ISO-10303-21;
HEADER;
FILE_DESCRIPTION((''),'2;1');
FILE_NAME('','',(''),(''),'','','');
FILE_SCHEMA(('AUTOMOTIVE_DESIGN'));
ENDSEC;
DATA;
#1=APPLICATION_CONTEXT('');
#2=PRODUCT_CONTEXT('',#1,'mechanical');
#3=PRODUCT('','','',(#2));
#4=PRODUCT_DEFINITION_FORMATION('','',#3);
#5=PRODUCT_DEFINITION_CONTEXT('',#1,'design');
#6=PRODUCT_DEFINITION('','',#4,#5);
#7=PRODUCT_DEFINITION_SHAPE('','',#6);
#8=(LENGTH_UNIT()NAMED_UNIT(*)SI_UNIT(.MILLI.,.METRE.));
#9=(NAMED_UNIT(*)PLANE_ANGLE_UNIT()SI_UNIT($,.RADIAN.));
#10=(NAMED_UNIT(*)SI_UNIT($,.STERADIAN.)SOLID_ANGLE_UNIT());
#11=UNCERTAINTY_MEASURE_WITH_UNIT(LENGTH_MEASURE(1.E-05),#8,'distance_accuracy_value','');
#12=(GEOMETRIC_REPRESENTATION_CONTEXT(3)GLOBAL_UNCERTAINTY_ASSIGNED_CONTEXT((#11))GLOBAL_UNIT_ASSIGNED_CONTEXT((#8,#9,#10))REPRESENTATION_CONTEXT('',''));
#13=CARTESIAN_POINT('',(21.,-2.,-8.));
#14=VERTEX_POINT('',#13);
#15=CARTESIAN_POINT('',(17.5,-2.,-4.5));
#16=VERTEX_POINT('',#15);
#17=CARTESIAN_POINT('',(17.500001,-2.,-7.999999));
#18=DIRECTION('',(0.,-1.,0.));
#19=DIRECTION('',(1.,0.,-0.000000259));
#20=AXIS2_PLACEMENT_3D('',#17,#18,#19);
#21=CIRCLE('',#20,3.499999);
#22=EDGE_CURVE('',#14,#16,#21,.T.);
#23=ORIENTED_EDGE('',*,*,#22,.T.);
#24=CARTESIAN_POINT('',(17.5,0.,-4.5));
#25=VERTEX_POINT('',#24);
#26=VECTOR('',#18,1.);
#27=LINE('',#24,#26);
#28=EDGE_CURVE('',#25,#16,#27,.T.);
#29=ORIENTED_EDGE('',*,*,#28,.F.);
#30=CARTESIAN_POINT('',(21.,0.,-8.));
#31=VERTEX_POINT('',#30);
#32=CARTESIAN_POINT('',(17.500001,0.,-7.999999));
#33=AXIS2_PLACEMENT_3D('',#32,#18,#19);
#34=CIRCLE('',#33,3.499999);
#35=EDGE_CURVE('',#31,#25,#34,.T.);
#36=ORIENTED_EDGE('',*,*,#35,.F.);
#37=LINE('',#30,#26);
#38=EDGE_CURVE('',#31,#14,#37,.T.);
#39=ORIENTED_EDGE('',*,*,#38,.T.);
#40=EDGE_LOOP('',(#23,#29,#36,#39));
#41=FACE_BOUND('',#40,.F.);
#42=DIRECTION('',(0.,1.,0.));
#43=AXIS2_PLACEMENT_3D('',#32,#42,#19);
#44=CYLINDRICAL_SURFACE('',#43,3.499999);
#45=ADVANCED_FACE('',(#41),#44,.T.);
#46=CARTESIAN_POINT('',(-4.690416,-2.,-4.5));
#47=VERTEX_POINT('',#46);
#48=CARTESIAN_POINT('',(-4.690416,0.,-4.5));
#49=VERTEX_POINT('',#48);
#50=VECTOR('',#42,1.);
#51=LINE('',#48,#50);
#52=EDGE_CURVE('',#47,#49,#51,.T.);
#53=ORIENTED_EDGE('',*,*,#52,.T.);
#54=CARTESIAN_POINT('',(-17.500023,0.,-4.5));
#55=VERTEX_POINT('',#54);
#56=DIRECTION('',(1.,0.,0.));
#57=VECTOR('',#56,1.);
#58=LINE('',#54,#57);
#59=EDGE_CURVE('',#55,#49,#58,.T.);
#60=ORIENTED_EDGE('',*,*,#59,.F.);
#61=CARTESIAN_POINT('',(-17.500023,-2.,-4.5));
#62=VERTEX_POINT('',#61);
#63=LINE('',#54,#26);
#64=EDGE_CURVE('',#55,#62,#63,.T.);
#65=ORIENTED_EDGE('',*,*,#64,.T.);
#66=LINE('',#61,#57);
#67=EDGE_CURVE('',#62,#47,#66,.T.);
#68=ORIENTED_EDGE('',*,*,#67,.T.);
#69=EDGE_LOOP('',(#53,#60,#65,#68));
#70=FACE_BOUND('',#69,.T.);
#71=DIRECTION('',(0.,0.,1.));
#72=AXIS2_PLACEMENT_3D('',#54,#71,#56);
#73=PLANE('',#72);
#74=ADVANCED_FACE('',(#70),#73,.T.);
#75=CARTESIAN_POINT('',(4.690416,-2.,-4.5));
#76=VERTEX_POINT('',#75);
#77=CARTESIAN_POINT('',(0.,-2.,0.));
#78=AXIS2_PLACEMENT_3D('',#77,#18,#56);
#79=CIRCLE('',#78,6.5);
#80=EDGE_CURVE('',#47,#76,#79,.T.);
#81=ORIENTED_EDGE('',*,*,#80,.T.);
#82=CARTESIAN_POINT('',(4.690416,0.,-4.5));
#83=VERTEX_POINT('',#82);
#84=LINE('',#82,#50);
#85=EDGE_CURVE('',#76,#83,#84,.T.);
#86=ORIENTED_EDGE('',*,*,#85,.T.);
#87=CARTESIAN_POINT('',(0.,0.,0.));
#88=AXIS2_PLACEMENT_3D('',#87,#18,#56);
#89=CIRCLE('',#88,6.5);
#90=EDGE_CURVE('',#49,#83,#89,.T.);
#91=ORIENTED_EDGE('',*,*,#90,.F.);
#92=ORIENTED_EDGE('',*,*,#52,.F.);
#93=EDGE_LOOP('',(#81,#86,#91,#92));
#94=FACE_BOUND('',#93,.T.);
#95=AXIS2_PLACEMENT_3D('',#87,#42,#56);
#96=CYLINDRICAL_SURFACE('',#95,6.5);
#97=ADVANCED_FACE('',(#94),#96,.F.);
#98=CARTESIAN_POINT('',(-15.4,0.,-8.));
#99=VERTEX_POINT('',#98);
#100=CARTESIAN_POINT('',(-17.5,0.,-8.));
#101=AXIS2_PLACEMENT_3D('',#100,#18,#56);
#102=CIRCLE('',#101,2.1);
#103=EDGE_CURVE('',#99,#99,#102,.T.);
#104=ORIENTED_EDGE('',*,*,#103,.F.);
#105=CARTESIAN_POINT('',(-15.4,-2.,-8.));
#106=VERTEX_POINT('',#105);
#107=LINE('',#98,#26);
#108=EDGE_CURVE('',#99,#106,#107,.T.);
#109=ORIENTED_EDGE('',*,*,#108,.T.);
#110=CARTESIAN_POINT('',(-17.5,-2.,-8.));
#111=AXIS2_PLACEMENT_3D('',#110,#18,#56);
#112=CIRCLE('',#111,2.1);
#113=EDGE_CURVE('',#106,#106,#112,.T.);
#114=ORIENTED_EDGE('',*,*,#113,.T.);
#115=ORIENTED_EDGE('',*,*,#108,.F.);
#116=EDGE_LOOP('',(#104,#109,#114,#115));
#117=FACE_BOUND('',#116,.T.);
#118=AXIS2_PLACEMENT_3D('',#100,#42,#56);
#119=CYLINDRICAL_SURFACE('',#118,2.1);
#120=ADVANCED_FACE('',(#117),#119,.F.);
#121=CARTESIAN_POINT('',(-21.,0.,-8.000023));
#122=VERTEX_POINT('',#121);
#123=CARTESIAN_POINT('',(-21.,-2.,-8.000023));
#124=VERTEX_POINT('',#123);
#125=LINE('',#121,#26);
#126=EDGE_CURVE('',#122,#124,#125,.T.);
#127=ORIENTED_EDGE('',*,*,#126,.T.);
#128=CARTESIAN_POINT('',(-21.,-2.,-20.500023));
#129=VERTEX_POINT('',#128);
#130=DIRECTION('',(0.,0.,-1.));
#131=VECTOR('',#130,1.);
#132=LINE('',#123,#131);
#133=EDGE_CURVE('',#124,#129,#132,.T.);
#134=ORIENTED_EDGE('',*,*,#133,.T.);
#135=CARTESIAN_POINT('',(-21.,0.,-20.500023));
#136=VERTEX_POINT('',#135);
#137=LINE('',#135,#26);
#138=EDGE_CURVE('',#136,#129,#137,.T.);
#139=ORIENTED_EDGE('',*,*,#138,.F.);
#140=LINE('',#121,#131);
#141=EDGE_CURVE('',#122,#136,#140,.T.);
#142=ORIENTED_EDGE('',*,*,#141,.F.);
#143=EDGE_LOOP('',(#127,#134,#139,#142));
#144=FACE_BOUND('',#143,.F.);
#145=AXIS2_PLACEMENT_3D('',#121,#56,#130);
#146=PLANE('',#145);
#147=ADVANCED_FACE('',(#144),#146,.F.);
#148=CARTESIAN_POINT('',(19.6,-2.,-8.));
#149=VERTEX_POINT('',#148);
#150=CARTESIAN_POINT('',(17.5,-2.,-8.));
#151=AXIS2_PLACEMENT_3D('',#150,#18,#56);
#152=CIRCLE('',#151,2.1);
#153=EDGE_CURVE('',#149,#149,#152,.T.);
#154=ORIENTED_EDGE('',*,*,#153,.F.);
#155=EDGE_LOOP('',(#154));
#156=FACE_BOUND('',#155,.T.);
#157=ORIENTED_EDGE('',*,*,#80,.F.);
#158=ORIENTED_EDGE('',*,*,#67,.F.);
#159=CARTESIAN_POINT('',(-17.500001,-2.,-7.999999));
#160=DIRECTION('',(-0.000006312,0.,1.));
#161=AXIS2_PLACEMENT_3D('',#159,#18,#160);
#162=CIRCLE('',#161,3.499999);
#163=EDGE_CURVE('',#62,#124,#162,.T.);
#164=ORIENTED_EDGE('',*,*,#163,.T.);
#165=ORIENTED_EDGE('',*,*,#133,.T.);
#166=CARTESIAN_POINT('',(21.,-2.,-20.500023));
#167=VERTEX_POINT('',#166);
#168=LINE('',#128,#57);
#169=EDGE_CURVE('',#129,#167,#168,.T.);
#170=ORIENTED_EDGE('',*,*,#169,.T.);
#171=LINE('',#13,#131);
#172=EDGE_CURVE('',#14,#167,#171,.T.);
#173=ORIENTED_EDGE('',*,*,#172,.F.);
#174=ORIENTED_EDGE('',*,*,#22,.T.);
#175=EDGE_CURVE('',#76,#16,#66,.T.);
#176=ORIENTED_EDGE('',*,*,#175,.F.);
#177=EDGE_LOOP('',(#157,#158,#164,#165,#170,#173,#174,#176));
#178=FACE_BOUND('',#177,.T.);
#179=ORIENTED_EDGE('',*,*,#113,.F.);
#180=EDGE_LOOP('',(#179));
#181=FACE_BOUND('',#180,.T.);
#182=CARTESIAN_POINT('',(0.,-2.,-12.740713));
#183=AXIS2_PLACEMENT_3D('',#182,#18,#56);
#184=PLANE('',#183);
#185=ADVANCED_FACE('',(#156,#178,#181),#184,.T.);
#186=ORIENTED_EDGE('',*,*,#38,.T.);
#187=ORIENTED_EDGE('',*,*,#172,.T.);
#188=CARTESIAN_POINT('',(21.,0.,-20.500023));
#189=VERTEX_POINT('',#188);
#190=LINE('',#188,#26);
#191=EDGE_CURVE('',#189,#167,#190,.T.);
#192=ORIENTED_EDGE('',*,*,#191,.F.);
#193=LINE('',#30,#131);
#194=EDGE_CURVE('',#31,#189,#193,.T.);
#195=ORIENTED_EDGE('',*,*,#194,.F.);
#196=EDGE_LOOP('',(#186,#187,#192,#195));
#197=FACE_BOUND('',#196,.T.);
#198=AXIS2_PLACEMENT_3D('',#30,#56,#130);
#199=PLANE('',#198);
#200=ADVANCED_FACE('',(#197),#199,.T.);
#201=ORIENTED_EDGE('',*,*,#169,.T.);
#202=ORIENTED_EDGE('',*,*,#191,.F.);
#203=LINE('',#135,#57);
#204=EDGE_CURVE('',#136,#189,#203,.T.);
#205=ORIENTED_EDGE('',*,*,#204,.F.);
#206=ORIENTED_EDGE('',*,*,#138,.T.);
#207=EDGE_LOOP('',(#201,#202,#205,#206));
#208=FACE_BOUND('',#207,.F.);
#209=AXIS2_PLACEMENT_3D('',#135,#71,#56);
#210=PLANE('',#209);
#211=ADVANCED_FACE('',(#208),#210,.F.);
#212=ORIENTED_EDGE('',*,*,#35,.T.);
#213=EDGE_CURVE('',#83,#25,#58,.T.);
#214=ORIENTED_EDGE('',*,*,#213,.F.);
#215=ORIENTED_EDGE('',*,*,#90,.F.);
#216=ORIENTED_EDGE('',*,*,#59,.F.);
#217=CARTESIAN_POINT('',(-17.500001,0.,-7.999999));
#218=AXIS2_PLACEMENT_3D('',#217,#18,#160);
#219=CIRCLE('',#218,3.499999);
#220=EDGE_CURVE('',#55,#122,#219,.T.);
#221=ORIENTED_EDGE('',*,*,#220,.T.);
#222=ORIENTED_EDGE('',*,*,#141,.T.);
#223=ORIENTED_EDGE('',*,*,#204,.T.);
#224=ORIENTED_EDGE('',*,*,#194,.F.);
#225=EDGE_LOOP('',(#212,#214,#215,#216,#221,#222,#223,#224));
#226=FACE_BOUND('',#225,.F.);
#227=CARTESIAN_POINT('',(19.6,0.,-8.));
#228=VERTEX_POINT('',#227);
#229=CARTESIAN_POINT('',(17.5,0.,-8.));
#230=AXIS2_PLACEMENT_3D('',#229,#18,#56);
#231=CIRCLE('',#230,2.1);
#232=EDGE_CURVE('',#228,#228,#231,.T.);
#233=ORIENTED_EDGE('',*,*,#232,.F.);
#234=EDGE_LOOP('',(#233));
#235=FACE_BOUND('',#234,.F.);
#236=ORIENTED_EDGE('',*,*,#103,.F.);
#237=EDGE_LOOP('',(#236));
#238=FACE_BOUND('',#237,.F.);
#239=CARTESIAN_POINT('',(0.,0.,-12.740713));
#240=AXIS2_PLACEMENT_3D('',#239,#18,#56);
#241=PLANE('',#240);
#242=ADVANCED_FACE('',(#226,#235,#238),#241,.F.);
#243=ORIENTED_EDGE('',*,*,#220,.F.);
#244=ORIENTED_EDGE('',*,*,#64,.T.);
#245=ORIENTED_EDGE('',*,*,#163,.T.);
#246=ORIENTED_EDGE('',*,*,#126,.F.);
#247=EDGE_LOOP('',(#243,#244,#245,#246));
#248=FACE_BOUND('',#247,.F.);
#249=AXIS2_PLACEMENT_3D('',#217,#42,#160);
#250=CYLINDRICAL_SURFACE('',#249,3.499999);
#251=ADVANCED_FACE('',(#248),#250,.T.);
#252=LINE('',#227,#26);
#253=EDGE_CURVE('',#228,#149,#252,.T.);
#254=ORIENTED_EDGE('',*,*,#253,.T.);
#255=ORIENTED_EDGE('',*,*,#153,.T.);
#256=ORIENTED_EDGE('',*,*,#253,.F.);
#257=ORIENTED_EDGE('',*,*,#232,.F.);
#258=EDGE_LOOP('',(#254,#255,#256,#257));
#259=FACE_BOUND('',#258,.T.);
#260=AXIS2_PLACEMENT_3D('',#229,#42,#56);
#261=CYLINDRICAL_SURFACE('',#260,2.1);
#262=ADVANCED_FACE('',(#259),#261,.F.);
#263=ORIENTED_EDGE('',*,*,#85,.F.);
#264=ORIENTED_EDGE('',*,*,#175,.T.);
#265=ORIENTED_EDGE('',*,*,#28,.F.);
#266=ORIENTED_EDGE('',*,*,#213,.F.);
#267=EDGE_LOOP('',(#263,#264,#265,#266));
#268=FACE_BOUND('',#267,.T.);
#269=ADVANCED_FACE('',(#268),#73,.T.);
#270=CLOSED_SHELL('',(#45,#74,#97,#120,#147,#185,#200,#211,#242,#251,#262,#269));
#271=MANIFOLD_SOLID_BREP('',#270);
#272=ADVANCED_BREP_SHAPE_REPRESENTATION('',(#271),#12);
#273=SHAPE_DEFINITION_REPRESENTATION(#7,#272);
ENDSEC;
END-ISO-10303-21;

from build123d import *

# Parameters (mm, degrees)
CYLINDER005_R     = 6.5
CYLINDER005_DEPTH = 2
SKETCH003_R       = 2.1
EXTRUDE004_DEPTH  = 2


with BuildPart() as motormountcutout:
    # Cylinder005 → Cylinder005 (new body)
    with BuildSketch(Plane(origin=(0, 0, 8), x_dir=(1, 0, 0), z_dir=(0, -1, 0))):
        Circle(CYLINDER005_R)
    extrude(amount=CYLINDER005_DEPTH)


with BuildPart() as motormount:
    # Sketch003 → Extrude004 (new body)
    with BuildSketch(Plane.XZ):
        with BuildLine():
            ThreePointArc((-17.500023, 3.5), (-19.97489, 2.474858), (-21, -2.3e-05))
            Line((-21, -2.3e-05), (-21, -12.500023))
            Line((-21, -12.500023), (21, -12.500023))
            Line((21, 0), (21, -12.500023))
            ThreePointArc((21, 0), (19.974874, 2.474874), (17.5, 3.5))
            Line((-17.500023, 3.5), (17.5, 3.5))
        make_face()
        with Locations((17.5, 0)):
            Circle(SKETCH003_R, mode=Mode.SUBTRACT)
        with Locations((-17.5, 0)):
            Circle(SKETCH003_R, mode=Mode.SUBTRACT)
    extrude(amount=EXTRUDE004_DEPTH)

    # Cut004: cut motorMountCutout
    add(motormountcutout.part, mode=Mode.SUBTRACT)


with BuildPart() as motormount_1:
    # Cut004 placement: moved
    add(motormount.part.moved(Location((0, 0, -8))))


solid = motormount_1.part
